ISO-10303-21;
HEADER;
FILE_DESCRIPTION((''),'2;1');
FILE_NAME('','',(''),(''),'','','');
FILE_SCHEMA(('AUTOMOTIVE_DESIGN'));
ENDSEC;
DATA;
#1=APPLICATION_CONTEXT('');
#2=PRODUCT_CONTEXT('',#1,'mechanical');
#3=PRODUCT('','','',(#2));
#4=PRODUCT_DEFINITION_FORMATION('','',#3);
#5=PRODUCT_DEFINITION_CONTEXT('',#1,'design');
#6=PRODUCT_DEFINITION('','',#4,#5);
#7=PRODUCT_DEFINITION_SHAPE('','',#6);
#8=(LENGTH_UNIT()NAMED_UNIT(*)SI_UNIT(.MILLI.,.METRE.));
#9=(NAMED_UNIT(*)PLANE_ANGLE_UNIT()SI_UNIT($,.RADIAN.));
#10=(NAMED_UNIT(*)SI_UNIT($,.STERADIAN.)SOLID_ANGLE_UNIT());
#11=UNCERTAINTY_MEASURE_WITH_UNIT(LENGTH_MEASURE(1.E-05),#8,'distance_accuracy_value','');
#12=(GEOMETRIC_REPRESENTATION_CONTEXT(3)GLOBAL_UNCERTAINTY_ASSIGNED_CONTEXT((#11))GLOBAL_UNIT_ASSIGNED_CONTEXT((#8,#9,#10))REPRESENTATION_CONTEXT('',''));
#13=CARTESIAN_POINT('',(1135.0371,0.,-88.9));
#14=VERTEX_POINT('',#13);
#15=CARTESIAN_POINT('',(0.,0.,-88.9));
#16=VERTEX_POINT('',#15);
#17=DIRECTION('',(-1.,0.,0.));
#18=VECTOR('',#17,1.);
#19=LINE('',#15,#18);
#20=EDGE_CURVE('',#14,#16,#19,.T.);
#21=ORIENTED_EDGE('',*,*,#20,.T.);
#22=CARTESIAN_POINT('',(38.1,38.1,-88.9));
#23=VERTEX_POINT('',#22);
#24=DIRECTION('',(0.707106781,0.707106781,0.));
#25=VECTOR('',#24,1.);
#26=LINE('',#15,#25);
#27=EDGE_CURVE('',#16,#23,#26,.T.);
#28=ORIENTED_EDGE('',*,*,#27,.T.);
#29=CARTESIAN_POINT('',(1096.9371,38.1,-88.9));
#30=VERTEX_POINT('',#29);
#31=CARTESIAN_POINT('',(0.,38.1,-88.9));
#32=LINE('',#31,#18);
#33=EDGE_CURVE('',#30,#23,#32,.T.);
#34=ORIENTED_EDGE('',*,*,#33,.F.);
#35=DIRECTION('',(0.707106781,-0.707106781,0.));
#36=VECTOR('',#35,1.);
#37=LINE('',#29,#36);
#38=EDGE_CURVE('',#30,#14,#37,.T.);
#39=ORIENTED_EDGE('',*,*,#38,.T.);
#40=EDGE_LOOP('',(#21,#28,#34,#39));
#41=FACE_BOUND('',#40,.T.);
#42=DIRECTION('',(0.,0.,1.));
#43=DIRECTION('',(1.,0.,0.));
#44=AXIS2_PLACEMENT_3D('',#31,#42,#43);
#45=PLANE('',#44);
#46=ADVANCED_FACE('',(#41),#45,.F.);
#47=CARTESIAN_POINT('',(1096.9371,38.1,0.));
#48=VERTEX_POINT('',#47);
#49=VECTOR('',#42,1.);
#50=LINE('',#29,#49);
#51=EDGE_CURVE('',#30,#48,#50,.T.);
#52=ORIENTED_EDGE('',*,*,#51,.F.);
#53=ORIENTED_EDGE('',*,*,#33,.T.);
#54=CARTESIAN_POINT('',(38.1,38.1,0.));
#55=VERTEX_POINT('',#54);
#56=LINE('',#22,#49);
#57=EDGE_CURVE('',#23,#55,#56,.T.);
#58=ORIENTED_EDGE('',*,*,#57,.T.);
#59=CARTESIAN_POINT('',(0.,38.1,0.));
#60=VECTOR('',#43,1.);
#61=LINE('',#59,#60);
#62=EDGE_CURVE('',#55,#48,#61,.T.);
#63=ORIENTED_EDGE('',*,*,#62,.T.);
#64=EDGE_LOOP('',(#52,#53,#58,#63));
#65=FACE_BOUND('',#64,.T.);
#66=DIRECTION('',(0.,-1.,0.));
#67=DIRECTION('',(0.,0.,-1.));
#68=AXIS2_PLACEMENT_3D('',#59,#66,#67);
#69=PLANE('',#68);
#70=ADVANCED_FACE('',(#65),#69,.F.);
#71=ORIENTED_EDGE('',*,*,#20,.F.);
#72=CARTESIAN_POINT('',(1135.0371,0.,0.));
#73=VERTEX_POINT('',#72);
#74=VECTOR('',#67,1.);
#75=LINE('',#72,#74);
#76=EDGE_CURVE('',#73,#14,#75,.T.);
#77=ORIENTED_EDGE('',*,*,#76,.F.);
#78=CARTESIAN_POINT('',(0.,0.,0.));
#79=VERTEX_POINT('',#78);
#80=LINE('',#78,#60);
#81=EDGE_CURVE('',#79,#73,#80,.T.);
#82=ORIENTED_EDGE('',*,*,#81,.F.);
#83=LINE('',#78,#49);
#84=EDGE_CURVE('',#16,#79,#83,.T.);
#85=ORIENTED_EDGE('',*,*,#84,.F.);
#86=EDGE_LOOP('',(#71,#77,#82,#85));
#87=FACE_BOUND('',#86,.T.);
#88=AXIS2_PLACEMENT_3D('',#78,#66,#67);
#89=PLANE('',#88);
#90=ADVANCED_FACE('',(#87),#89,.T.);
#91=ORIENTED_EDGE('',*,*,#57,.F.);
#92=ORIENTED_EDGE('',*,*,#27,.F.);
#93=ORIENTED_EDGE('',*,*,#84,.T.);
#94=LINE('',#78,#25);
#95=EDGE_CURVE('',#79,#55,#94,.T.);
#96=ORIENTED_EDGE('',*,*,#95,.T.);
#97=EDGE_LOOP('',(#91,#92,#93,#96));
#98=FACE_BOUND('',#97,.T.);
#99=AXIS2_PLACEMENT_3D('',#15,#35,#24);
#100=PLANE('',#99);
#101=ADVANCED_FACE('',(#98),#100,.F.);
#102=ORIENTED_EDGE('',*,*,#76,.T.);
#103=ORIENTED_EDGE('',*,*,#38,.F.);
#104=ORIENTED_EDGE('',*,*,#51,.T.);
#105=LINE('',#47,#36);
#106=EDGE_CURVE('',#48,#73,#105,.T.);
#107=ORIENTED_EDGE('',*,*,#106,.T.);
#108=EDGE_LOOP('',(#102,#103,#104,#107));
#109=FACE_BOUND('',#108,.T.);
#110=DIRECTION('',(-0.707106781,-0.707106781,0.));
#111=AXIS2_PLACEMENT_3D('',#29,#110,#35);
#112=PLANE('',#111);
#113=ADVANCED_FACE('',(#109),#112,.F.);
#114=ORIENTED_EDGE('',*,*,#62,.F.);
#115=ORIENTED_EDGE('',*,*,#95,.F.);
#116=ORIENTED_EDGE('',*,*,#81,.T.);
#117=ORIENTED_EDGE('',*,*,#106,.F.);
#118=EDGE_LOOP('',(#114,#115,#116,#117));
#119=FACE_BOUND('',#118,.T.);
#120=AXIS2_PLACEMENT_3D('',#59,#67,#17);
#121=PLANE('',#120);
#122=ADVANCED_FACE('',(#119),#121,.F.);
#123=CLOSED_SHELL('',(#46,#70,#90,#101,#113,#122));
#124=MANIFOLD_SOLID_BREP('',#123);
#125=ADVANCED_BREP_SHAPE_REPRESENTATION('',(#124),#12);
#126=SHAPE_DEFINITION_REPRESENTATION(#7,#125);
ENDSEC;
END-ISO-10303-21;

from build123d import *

# Parameters (mm, degrees)
SKETCH1_W           = 1135.0371
SKETCH1_H           = 88.9
BOSS_EXTRUDE1_DEPTH = 38.1
CUT_EXTRUDE1_DEPTH  = 89.9


with BuildPart() as part:
    # Sketch1 → Boss-Extrude1 (new body)
    with BuildSketch(Plane(origin=(0, 0, 0), x_dir=(1, 0, 0), z_dir=(0, 1, 0))):
        with Locations((567.51855, 44.45)):
            Rectangle(SKETCH1_W, SKETCH1_H)
    extrude(amount=BOSS_EXTRUDE1_DEPTH)

    # Sketch2 → Cut-Extrude1 (cut, through all)
    with BuildSketch(Plane.XY):
        Polygon((0, 0), (38.1, 38.1), (0, 38.1), align=None)
        Polygon((1135.0371, 0), (1135.0371, 38.1), (1096.9371, 38.1), align=None)
    extrude(amount=-CUT_EXTRUDE1_DEPTH, mode=Mode.SUBTRACT)


solid = part.part
